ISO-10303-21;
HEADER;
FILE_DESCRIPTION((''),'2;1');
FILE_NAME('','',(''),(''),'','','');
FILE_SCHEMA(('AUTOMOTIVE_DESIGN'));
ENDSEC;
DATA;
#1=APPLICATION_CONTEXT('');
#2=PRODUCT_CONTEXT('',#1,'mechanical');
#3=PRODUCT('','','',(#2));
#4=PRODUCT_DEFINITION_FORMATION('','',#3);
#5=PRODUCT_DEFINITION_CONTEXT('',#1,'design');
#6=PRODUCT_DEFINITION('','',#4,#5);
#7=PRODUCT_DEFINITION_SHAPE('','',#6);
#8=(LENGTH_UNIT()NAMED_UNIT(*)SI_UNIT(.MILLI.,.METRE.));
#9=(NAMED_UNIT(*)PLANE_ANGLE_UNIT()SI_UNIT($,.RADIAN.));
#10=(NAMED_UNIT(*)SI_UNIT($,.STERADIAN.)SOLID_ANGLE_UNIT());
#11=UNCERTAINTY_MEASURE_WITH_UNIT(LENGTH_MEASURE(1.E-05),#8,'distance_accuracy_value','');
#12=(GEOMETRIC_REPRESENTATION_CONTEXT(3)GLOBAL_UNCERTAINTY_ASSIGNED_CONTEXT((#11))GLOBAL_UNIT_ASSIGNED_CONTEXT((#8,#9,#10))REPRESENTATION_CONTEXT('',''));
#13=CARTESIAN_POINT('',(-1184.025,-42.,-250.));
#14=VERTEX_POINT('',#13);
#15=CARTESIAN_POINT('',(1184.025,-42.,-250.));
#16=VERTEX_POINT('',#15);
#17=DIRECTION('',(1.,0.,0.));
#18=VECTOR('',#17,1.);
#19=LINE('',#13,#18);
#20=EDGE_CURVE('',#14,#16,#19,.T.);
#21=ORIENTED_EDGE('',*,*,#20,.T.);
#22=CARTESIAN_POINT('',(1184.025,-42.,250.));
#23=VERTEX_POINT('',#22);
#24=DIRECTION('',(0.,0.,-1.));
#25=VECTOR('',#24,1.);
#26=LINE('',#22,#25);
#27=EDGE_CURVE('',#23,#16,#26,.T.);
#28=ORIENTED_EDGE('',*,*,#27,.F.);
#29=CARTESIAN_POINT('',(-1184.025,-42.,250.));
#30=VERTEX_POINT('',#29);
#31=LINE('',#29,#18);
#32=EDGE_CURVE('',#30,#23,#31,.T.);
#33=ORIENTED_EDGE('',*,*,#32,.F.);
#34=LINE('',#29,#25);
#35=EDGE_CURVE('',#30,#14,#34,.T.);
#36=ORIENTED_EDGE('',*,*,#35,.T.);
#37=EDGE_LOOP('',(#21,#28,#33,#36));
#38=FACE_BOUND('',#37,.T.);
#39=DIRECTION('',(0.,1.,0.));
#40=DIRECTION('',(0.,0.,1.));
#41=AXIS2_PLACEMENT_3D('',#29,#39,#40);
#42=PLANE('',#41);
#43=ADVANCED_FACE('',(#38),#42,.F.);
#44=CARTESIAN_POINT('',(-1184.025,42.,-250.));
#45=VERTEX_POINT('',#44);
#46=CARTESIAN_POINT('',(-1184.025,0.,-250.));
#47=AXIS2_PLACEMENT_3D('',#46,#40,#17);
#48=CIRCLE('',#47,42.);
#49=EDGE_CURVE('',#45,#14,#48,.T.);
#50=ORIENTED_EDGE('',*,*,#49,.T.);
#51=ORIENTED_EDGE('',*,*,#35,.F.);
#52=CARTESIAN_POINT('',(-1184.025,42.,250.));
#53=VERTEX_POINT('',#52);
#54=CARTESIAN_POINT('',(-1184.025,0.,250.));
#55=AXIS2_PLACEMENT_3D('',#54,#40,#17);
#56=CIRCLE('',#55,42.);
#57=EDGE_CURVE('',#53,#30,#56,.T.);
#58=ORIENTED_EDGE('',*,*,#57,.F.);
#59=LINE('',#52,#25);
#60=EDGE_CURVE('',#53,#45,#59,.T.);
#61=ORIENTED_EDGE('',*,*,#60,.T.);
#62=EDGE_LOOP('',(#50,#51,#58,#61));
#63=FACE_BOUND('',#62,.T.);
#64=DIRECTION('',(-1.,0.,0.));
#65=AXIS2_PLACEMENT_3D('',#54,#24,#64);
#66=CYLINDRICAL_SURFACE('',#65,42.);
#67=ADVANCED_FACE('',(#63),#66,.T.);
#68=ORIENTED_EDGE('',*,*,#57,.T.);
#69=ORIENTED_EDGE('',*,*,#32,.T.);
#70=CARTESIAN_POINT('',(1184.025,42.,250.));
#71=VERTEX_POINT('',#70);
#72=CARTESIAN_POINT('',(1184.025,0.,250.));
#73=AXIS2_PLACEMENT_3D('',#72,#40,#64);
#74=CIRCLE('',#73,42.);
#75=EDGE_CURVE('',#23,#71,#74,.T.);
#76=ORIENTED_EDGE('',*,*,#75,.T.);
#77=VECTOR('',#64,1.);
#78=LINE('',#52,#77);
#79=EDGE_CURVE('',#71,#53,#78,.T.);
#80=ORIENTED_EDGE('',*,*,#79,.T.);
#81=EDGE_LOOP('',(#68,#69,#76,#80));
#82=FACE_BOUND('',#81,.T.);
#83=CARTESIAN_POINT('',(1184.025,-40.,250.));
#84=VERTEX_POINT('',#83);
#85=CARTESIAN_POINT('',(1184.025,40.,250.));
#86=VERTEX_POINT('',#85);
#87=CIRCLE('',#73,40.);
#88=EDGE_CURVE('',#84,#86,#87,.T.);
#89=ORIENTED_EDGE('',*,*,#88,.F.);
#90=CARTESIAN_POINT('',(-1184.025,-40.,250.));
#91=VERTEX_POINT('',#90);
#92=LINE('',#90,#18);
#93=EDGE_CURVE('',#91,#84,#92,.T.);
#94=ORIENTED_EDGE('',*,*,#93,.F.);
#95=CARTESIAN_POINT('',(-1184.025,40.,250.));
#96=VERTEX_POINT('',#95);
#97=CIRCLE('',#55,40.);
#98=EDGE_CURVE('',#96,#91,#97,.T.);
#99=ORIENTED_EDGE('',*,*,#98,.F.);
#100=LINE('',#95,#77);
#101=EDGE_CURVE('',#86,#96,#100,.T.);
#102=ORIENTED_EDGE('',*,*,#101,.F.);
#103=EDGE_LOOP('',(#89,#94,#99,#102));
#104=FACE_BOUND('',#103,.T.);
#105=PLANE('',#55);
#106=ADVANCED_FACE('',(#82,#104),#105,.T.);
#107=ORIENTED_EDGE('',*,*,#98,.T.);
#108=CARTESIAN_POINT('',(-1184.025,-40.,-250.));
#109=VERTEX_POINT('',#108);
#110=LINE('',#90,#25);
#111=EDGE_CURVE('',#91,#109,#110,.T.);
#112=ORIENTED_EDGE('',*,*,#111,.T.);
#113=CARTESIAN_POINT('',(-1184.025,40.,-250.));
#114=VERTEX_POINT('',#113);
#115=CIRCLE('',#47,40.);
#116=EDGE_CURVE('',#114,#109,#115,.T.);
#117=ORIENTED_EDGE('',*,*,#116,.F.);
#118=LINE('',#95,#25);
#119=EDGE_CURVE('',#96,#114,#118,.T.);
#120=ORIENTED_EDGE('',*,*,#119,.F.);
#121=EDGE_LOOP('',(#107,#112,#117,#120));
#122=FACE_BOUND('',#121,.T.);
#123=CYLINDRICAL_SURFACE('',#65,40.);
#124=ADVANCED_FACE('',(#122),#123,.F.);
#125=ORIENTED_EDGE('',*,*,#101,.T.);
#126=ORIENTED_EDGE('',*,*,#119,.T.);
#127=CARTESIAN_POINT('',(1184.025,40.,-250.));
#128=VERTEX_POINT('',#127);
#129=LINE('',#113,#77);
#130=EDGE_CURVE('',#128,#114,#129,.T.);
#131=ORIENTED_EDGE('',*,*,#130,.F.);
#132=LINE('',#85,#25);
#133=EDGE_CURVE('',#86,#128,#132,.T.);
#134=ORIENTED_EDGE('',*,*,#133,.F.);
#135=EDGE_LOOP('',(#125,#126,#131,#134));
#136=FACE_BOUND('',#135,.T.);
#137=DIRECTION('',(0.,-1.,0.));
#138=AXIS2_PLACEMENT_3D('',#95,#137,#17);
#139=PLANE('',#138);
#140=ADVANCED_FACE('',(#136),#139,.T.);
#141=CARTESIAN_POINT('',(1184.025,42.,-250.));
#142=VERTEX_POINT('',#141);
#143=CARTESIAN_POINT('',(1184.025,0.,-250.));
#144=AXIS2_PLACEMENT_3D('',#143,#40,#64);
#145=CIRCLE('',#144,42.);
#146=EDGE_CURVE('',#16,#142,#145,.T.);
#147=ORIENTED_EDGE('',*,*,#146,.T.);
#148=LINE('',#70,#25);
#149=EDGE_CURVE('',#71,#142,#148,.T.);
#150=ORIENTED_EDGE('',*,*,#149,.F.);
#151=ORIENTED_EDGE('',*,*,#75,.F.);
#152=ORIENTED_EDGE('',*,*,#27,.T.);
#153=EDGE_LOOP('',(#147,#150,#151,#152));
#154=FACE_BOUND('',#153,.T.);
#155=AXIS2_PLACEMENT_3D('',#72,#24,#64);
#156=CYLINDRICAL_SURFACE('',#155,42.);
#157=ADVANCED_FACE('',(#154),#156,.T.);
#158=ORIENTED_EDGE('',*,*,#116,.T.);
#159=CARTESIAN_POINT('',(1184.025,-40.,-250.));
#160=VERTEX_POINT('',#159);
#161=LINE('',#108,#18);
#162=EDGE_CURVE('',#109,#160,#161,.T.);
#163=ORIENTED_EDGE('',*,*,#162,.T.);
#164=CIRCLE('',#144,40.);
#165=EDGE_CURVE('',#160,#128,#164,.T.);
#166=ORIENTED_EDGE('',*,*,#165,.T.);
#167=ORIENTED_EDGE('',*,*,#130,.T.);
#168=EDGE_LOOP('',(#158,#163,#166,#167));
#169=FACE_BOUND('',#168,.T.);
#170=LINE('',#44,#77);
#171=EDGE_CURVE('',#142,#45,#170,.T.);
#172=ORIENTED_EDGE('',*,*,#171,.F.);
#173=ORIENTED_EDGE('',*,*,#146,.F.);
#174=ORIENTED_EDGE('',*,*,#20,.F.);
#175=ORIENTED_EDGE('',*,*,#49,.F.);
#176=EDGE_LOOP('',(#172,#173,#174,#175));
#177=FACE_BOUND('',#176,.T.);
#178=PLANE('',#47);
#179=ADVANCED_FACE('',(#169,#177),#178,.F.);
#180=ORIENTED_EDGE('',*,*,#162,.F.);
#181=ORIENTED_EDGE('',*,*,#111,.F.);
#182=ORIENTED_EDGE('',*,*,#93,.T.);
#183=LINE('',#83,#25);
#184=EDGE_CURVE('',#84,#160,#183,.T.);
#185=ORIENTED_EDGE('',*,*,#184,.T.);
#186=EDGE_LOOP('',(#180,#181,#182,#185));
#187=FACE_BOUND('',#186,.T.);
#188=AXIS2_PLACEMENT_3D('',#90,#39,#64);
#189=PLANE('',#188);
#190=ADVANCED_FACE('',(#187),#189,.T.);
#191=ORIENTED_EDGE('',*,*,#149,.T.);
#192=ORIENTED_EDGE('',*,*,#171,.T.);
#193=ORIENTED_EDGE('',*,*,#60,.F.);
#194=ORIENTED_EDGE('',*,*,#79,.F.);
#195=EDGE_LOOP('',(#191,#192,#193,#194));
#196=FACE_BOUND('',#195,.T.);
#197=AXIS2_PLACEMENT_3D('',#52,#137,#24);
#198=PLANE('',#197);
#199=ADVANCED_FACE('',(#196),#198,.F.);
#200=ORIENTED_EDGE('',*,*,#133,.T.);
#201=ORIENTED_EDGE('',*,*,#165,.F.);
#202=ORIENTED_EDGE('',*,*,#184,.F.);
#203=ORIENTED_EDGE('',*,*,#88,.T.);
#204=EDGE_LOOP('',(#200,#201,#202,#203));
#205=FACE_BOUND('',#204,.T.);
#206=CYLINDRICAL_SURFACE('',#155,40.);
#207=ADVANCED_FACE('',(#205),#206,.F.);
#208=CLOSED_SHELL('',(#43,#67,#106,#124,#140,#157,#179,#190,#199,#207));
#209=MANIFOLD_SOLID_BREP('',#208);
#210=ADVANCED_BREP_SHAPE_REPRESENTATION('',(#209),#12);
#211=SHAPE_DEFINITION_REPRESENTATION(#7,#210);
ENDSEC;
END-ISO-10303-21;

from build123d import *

# Parameters (mm, degrees)
ESTRUSIONE1_DEPTH = 250


with BuildPart() as part:
    # Schizzo1 → Estrusione1 (new, symmetric)
    with BuildSketch(Plane.XY):
        with BuildLine():
            Line((-1184.025, 42), (1184.025, 42))
            ThreePointArc((1184.025, 42), (1226.025, 0), (1184.025, -42))
            Line((1184.025, -42), (-1184.025, -42))
            ThreePointArc((-1184.025, -42), (-1226.025, 0), (-1184.025, 42))
        make_face()
        with BuildLine():
            Line((-1184.025, 40), (1184.025, 40))
            ThreePointArc((1184.025, 40), (1224.025, 0), (1184.025, -40))
            Line((1184.025, -40), (-1184.025, -40))
            ThreePointArc((-1184.025, -40), (-1224.025, 0), (-1184.025, 40))
        make_face(mode=Mode.SUBTRACT)
    extrude(amount=ESTRUSIONE1_DEPTH, both=True)


solid = part.part
